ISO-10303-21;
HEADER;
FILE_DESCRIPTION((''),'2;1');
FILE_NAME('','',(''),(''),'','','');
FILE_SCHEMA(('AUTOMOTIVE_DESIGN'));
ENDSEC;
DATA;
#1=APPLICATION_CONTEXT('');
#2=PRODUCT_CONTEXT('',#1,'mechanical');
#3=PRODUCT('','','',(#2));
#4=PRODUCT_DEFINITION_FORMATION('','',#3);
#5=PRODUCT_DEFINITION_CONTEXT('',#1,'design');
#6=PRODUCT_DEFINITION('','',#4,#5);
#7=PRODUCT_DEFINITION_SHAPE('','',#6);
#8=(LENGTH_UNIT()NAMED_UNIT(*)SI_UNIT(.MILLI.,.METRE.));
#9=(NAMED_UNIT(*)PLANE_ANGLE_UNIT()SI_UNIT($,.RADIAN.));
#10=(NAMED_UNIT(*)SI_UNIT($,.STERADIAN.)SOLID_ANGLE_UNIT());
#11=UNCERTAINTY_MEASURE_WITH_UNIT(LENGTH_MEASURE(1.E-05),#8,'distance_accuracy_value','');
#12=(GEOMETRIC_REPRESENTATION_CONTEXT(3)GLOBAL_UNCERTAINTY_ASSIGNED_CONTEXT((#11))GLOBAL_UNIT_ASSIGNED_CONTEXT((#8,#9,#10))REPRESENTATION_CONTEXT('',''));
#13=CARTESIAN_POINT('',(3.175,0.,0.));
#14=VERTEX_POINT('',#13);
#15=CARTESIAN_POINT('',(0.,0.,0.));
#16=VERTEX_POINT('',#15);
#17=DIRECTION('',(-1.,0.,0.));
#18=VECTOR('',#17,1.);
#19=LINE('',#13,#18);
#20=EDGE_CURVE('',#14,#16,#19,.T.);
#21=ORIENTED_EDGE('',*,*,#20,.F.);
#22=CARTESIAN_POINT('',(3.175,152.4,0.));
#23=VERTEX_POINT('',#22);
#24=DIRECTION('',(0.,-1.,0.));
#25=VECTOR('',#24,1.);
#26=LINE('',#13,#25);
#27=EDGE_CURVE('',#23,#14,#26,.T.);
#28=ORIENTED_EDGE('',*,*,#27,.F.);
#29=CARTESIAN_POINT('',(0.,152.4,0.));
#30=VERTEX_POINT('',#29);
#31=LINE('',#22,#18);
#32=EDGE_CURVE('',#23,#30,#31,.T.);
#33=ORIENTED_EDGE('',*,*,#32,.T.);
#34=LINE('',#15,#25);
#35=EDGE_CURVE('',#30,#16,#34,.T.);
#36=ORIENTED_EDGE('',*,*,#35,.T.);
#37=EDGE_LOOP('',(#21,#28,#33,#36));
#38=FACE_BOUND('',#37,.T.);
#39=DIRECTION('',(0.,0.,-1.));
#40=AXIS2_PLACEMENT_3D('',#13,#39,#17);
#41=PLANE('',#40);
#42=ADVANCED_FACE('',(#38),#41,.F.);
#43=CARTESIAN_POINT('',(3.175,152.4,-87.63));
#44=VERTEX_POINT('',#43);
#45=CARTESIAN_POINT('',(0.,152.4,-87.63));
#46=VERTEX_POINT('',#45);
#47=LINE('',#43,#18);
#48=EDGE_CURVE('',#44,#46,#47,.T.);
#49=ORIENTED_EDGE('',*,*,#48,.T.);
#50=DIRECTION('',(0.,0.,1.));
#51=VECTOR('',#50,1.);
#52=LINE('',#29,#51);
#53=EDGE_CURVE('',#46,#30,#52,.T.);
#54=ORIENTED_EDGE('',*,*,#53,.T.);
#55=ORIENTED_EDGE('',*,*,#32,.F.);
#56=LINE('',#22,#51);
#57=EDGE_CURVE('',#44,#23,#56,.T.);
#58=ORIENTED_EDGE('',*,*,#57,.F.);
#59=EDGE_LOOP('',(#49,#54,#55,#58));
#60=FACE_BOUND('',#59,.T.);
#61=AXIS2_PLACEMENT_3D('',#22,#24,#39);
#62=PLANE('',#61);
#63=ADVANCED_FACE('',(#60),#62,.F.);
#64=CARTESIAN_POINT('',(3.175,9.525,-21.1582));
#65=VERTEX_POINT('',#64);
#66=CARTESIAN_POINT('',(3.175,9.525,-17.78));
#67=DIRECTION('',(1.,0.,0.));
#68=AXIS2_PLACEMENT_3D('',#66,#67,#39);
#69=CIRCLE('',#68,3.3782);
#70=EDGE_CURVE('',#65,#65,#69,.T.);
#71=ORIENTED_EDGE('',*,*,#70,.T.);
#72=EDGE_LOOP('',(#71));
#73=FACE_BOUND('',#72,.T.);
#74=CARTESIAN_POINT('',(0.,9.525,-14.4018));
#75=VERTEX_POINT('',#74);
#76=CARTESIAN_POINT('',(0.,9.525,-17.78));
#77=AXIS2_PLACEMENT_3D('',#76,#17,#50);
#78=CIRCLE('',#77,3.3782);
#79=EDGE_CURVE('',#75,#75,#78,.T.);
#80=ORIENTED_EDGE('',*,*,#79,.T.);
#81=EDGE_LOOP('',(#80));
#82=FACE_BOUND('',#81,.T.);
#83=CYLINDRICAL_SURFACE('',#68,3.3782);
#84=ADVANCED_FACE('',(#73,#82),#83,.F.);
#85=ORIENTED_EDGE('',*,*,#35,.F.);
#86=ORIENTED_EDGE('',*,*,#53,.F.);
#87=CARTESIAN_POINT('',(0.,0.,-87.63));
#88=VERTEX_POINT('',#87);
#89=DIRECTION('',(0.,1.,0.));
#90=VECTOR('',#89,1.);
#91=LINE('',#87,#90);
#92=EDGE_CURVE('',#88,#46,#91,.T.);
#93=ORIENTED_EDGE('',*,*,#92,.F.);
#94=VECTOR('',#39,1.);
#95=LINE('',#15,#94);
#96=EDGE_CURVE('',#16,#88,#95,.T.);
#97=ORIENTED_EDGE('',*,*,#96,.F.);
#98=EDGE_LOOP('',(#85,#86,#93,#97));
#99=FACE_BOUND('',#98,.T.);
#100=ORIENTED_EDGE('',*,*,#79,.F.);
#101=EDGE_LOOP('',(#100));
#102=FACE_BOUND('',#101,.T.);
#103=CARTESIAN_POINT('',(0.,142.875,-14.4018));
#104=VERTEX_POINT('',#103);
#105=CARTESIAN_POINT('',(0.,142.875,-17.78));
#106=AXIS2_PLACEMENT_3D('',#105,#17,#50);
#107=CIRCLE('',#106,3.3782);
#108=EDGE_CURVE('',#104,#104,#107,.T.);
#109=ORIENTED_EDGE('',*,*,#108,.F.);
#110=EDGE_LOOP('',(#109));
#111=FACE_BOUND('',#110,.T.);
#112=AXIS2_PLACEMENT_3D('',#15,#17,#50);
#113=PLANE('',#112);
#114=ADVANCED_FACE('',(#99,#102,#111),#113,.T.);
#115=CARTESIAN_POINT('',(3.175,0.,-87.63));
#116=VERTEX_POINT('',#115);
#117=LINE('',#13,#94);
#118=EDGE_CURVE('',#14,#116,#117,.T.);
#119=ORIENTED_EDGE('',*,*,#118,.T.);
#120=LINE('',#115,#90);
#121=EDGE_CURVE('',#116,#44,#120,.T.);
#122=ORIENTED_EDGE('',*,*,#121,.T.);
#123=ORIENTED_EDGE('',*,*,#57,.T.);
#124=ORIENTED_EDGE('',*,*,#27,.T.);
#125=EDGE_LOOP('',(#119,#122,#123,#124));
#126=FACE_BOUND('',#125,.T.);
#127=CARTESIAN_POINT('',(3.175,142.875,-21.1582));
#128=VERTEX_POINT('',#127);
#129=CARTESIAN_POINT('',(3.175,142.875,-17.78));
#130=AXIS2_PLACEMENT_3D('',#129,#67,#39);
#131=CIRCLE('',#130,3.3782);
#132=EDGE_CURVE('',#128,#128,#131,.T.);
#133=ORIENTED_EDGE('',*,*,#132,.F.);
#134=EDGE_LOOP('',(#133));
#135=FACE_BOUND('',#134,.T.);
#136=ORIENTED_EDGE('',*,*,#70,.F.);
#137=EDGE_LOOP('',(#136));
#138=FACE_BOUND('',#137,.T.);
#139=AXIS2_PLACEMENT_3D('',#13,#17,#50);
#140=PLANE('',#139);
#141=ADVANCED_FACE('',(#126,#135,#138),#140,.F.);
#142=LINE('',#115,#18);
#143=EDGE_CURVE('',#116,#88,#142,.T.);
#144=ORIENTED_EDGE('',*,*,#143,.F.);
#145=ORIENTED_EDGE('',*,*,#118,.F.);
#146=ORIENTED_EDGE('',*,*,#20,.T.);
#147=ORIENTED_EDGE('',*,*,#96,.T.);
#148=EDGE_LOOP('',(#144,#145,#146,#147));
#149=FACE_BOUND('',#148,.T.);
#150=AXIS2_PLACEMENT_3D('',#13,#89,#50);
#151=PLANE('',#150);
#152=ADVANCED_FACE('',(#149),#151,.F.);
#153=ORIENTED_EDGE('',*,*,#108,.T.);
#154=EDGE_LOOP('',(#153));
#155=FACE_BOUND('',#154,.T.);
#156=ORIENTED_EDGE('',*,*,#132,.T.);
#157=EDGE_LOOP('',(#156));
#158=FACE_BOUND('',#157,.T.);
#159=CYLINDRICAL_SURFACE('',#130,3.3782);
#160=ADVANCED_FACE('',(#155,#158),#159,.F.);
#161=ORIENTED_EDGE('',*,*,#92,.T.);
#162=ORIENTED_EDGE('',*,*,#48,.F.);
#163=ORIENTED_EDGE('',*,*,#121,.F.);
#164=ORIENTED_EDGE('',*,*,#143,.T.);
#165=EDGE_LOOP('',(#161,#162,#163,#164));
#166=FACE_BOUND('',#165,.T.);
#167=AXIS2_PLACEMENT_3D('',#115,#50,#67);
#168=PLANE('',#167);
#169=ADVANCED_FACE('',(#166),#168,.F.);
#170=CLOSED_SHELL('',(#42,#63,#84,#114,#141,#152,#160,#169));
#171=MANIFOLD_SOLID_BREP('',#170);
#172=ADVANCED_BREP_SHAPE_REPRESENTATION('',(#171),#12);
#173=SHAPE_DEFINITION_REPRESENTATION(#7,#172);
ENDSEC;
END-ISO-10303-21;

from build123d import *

# Parameters (mm, degrees)
SKETCH1_W               = 87.63
SKETCH1_H               = 152.4
BOSS_EXTRUDE1_DEPTH     = 3.175
F_1_4_CLEARANCE_HOLE1_D = 6.7564


with BuildPart() as part:
    # Sketch1 → Boss-Extrude1 (new body)
    with BuildSketch(Plane(origin=(0, 0, 0), x_dir=(0, 0, -1), z_dir=(1, 0, 0))):
        with Locations((43.815, 76.2)):
            Rectangle(SKETCH1_W, SKETCH1_H)
    extrude(amount=BOSS_EXTRUDE1_DEPTH)

    # 1/4 Clearance Hole1 (through all)
    with Locations(Plane(origin=(3.175, 0, 0), x_dir=(0, 0, -1), z_dir=(1, 0, 0))):
        with Locations((17.78, 142.875), (17.78, 9.525)):
            Hole(F_1_4_CLEARANCE_HOLE1_D / 2)


solid = part.part
